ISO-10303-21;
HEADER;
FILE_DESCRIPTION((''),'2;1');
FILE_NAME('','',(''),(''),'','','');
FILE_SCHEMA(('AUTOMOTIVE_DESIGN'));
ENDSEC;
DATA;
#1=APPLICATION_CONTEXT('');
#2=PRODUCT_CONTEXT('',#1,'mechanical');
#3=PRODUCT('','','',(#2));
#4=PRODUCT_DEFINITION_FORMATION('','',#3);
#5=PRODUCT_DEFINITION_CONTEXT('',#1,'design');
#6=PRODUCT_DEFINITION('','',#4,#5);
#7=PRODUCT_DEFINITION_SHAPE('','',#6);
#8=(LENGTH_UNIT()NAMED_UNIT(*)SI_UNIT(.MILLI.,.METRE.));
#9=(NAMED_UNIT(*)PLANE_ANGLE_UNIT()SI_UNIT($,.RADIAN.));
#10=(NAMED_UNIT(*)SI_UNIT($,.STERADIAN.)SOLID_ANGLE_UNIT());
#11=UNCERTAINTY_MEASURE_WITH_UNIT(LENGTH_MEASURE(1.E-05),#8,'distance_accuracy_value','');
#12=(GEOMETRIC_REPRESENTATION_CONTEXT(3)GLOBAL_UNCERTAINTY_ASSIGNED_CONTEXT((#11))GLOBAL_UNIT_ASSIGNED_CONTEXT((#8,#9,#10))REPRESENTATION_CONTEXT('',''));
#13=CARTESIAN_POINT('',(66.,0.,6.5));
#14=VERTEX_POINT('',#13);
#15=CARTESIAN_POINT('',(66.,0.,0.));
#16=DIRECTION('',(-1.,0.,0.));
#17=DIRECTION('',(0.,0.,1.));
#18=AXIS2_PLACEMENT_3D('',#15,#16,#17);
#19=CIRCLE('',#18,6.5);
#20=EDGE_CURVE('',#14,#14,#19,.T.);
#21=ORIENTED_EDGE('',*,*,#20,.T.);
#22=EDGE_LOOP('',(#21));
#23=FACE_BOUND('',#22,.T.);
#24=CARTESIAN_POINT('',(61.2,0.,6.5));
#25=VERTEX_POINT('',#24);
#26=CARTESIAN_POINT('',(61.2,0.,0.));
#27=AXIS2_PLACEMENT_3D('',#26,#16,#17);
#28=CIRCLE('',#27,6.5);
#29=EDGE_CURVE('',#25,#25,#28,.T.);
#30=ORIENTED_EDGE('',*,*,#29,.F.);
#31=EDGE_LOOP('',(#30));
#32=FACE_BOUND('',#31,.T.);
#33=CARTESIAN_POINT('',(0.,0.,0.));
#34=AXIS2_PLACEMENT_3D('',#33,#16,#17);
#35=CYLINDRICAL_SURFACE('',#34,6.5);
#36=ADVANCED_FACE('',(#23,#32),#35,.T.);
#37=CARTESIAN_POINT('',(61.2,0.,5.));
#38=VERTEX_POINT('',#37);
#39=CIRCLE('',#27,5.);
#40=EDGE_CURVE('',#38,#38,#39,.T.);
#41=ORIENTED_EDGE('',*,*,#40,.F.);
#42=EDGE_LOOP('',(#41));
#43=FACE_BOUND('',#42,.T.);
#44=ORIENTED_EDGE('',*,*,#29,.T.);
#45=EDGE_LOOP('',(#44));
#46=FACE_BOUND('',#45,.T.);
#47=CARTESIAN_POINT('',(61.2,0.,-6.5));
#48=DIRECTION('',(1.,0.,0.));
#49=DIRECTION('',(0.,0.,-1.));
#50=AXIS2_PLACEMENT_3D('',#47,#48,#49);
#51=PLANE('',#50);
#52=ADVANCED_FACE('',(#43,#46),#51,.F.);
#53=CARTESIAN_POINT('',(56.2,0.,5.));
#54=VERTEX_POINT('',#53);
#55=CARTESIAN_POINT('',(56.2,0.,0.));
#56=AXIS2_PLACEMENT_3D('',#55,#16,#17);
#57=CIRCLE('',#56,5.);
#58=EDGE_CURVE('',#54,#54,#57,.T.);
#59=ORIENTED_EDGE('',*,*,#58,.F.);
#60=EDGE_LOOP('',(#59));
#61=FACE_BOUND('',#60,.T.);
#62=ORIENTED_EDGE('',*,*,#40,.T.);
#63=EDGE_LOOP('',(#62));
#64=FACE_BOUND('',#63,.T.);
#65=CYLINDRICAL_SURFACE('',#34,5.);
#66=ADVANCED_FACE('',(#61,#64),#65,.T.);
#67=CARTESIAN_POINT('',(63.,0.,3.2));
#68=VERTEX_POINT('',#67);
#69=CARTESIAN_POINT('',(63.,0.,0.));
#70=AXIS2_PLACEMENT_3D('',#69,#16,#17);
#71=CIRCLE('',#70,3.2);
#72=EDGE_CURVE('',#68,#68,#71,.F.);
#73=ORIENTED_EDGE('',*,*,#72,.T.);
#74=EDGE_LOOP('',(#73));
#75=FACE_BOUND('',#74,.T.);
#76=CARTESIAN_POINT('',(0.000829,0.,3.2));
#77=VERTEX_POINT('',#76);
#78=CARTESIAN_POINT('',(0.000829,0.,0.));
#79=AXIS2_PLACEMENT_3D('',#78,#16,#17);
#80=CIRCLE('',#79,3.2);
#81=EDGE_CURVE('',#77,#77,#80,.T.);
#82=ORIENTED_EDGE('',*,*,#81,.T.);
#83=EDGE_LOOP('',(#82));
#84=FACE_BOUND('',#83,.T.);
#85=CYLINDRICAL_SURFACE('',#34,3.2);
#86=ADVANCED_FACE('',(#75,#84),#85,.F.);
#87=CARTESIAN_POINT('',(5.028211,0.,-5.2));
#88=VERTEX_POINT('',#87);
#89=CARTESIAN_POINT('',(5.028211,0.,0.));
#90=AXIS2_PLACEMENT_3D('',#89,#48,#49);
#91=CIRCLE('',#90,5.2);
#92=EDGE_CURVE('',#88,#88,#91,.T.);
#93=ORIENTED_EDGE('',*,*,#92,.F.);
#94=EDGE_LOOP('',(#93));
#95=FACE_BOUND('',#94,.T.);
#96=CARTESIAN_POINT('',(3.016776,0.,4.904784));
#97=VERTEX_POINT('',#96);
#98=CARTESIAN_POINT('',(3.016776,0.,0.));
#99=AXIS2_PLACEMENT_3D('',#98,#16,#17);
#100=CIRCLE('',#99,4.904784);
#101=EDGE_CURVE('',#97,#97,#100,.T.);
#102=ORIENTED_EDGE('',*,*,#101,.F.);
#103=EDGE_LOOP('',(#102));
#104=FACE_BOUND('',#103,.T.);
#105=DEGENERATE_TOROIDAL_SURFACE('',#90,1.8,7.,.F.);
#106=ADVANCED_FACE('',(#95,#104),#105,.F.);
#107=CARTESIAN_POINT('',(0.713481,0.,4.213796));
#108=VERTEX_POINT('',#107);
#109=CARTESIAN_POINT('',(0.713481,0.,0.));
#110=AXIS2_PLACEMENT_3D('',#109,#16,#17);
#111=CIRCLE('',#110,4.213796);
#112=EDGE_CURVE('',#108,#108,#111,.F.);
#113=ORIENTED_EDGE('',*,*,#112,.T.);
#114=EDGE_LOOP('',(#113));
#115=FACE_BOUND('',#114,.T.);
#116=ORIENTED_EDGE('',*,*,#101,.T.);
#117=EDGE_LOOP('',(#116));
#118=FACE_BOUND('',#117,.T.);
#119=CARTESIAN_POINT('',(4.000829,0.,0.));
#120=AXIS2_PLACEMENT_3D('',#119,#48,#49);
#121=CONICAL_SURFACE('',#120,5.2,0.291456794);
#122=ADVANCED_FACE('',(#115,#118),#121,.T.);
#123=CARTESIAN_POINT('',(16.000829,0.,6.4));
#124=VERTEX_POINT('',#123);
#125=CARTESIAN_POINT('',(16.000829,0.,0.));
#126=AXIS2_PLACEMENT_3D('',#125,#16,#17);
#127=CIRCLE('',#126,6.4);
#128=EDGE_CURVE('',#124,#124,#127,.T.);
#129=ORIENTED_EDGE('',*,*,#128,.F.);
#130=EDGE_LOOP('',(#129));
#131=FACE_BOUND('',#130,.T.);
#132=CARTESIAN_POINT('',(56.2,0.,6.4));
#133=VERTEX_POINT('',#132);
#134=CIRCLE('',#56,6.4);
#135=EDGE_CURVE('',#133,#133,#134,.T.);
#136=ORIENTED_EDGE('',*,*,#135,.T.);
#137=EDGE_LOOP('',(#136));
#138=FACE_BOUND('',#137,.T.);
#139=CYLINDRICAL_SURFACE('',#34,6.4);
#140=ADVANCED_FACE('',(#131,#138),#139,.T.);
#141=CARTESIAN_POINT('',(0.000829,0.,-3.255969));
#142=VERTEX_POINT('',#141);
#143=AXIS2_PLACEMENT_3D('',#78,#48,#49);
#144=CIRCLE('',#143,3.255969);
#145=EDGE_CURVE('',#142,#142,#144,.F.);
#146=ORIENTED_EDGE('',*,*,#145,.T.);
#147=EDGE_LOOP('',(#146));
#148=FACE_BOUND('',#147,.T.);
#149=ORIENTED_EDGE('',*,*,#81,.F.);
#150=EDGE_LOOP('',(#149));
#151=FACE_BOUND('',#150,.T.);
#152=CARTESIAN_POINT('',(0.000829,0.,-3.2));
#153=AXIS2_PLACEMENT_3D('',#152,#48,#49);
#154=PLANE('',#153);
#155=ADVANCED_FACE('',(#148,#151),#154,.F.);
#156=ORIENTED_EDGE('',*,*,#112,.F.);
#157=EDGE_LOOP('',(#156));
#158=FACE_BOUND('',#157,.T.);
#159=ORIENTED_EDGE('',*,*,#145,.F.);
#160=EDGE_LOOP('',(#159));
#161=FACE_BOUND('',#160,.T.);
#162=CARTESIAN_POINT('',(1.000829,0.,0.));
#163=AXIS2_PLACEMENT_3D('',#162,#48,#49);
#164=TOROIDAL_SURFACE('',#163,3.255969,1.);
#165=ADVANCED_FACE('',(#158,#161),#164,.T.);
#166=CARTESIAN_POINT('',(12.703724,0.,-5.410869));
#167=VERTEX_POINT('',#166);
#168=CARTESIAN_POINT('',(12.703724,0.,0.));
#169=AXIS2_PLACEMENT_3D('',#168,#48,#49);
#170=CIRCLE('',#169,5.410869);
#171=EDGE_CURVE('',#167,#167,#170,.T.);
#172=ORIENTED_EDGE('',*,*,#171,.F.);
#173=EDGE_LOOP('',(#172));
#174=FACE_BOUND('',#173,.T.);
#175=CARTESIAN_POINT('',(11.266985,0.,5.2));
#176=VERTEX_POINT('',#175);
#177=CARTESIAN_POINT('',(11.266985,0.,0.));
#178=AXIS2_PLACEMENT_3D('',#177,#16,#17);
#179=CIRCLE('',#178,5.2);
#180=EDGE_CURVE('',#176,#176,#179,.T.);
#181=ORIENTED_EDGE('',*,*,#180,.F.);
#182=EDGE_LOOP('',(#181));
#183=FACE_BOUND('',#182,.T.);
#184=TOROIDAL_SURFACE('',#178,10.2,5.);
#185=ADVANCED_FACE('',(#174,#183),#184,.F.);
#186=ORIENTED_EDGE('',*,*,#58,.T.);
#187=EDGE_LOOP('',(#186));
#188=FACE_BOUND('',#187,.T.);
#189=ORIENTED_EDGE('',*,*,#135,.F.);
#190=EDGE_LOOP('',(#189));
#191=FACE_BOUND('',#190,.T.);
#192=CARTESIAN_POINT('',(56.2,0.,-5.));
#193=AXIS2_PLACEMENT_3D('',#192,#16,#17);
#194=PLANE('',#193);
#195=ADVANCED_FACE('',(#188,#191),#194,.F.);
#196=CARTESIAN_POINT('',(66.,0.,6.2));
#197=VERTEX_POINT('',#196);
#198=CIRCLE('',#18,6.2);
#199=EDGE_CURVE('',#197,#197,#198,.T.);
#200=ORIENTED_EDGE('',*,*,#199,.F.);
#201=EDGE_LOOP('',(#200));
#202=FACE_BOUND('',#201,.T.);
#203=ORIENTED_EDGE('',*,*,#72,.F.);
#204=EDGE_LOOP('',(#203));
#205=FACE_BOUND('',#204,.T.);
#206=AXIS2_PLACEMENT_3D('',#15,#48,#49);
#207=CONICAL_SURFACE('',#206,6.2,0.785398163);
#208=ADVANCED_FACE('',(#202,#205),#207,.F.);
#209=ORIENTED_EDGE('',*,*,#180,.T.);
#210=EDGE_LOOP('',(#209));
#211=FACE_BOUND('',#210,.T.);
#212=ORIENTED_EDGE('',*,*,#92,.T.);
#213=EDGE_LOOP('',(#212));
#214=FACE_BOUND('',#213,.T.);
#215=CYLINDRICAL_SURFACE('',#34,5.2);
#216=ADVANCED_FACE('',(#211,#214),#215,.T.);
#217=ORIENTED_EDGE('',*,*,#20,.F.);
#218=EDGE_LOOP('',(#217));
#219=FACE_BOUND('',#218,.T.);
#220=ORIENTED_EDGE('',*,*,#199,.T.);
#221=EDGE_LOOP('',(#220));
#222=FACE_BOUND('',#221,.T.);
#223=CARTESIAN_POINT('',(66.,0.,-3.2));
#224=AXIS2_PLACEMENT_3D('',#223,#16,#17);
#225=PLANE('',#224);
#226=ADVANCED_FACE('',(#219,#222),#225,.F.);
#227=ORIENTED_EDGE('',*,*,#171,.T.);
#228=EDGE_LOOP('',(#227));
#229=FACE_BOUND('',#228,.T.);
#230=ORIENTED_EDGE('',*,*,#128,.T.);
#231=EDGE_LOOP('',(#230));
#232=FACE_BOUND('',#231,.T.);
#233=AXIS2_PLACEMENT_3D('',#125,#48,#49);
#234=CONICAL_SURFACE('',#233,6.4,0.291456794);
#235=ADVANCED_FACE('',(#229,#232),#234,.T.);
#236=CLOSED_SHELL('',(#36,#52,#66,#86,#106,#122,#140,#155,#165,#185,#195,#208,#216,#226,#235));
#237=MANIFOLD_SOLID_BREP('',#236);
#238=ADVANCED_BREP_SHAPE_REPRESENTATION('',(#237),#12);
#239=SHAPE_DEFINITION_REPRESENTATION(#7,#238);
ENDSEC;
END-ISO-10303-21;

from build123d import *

# Parameters (mm, degrees)
FILETE2_R     = 7
FILETE3_R     = 5
CHANFRO1_SIZE = 3
FILETE6_R     = 1


with BuildPart() as part:
    # Esboço1 → Revolução1 (revolve)
    with BuildSketch(Plane(origin=(0, 0, 0), x_dir=(1, 0, 0), z_dir=(0, 1, 0)), mode=Mode.PRIVATE) as revolu_o1_sk:
        Polygon((0.000828852, 3.2), (66, 3.2), (66, 6.5), (61.2, 6.5), (61.2, 5), (56.2, 5), (56.2, 6.4), (16.000828852, 6.4), (12.000828852, 5.2), (4.000828852, 5.2), (0.000828852, 4), align=None)
    revolve(revolu_o1_sk.sketch.rotate(Axis((0, 0, 0), (1, 0, 0)), 180), axis=Axis((0, 0, 0), (1, 0, 0)))

    # Filete2
    filete2_edges = [part.edges().sort_by_distance(p)[0] for p in [
        (4.000828852, 0, -5.2),
    ]]
    fillet(filete2_edges, radius=FILETE2_R)

    # Filete3
    filete3_edges = [part.edges().sort_by_distance(p)[0] for p in [
        (12.000828852, 0, -5.2),
    ]]
    fillet(filete3_edges, radius=FILETE3_R)

    # Chanfro1
    chanfro1_edges = [part.edges().sort_by_distance(p)[0] for p in [
        (66, 0, -3.2),
    ]]
    chamfer(chanfro1_edges, length=CHANFRO1_SIZE)

    # Filete6
    filete6_edges = [part.edges().sort_by_distance(p)[0] for p in [
        (0.000828852, 0, -4),
    ]]
    fillet(filete6_edges, radius=FILETE6_R)


solid = part.part
